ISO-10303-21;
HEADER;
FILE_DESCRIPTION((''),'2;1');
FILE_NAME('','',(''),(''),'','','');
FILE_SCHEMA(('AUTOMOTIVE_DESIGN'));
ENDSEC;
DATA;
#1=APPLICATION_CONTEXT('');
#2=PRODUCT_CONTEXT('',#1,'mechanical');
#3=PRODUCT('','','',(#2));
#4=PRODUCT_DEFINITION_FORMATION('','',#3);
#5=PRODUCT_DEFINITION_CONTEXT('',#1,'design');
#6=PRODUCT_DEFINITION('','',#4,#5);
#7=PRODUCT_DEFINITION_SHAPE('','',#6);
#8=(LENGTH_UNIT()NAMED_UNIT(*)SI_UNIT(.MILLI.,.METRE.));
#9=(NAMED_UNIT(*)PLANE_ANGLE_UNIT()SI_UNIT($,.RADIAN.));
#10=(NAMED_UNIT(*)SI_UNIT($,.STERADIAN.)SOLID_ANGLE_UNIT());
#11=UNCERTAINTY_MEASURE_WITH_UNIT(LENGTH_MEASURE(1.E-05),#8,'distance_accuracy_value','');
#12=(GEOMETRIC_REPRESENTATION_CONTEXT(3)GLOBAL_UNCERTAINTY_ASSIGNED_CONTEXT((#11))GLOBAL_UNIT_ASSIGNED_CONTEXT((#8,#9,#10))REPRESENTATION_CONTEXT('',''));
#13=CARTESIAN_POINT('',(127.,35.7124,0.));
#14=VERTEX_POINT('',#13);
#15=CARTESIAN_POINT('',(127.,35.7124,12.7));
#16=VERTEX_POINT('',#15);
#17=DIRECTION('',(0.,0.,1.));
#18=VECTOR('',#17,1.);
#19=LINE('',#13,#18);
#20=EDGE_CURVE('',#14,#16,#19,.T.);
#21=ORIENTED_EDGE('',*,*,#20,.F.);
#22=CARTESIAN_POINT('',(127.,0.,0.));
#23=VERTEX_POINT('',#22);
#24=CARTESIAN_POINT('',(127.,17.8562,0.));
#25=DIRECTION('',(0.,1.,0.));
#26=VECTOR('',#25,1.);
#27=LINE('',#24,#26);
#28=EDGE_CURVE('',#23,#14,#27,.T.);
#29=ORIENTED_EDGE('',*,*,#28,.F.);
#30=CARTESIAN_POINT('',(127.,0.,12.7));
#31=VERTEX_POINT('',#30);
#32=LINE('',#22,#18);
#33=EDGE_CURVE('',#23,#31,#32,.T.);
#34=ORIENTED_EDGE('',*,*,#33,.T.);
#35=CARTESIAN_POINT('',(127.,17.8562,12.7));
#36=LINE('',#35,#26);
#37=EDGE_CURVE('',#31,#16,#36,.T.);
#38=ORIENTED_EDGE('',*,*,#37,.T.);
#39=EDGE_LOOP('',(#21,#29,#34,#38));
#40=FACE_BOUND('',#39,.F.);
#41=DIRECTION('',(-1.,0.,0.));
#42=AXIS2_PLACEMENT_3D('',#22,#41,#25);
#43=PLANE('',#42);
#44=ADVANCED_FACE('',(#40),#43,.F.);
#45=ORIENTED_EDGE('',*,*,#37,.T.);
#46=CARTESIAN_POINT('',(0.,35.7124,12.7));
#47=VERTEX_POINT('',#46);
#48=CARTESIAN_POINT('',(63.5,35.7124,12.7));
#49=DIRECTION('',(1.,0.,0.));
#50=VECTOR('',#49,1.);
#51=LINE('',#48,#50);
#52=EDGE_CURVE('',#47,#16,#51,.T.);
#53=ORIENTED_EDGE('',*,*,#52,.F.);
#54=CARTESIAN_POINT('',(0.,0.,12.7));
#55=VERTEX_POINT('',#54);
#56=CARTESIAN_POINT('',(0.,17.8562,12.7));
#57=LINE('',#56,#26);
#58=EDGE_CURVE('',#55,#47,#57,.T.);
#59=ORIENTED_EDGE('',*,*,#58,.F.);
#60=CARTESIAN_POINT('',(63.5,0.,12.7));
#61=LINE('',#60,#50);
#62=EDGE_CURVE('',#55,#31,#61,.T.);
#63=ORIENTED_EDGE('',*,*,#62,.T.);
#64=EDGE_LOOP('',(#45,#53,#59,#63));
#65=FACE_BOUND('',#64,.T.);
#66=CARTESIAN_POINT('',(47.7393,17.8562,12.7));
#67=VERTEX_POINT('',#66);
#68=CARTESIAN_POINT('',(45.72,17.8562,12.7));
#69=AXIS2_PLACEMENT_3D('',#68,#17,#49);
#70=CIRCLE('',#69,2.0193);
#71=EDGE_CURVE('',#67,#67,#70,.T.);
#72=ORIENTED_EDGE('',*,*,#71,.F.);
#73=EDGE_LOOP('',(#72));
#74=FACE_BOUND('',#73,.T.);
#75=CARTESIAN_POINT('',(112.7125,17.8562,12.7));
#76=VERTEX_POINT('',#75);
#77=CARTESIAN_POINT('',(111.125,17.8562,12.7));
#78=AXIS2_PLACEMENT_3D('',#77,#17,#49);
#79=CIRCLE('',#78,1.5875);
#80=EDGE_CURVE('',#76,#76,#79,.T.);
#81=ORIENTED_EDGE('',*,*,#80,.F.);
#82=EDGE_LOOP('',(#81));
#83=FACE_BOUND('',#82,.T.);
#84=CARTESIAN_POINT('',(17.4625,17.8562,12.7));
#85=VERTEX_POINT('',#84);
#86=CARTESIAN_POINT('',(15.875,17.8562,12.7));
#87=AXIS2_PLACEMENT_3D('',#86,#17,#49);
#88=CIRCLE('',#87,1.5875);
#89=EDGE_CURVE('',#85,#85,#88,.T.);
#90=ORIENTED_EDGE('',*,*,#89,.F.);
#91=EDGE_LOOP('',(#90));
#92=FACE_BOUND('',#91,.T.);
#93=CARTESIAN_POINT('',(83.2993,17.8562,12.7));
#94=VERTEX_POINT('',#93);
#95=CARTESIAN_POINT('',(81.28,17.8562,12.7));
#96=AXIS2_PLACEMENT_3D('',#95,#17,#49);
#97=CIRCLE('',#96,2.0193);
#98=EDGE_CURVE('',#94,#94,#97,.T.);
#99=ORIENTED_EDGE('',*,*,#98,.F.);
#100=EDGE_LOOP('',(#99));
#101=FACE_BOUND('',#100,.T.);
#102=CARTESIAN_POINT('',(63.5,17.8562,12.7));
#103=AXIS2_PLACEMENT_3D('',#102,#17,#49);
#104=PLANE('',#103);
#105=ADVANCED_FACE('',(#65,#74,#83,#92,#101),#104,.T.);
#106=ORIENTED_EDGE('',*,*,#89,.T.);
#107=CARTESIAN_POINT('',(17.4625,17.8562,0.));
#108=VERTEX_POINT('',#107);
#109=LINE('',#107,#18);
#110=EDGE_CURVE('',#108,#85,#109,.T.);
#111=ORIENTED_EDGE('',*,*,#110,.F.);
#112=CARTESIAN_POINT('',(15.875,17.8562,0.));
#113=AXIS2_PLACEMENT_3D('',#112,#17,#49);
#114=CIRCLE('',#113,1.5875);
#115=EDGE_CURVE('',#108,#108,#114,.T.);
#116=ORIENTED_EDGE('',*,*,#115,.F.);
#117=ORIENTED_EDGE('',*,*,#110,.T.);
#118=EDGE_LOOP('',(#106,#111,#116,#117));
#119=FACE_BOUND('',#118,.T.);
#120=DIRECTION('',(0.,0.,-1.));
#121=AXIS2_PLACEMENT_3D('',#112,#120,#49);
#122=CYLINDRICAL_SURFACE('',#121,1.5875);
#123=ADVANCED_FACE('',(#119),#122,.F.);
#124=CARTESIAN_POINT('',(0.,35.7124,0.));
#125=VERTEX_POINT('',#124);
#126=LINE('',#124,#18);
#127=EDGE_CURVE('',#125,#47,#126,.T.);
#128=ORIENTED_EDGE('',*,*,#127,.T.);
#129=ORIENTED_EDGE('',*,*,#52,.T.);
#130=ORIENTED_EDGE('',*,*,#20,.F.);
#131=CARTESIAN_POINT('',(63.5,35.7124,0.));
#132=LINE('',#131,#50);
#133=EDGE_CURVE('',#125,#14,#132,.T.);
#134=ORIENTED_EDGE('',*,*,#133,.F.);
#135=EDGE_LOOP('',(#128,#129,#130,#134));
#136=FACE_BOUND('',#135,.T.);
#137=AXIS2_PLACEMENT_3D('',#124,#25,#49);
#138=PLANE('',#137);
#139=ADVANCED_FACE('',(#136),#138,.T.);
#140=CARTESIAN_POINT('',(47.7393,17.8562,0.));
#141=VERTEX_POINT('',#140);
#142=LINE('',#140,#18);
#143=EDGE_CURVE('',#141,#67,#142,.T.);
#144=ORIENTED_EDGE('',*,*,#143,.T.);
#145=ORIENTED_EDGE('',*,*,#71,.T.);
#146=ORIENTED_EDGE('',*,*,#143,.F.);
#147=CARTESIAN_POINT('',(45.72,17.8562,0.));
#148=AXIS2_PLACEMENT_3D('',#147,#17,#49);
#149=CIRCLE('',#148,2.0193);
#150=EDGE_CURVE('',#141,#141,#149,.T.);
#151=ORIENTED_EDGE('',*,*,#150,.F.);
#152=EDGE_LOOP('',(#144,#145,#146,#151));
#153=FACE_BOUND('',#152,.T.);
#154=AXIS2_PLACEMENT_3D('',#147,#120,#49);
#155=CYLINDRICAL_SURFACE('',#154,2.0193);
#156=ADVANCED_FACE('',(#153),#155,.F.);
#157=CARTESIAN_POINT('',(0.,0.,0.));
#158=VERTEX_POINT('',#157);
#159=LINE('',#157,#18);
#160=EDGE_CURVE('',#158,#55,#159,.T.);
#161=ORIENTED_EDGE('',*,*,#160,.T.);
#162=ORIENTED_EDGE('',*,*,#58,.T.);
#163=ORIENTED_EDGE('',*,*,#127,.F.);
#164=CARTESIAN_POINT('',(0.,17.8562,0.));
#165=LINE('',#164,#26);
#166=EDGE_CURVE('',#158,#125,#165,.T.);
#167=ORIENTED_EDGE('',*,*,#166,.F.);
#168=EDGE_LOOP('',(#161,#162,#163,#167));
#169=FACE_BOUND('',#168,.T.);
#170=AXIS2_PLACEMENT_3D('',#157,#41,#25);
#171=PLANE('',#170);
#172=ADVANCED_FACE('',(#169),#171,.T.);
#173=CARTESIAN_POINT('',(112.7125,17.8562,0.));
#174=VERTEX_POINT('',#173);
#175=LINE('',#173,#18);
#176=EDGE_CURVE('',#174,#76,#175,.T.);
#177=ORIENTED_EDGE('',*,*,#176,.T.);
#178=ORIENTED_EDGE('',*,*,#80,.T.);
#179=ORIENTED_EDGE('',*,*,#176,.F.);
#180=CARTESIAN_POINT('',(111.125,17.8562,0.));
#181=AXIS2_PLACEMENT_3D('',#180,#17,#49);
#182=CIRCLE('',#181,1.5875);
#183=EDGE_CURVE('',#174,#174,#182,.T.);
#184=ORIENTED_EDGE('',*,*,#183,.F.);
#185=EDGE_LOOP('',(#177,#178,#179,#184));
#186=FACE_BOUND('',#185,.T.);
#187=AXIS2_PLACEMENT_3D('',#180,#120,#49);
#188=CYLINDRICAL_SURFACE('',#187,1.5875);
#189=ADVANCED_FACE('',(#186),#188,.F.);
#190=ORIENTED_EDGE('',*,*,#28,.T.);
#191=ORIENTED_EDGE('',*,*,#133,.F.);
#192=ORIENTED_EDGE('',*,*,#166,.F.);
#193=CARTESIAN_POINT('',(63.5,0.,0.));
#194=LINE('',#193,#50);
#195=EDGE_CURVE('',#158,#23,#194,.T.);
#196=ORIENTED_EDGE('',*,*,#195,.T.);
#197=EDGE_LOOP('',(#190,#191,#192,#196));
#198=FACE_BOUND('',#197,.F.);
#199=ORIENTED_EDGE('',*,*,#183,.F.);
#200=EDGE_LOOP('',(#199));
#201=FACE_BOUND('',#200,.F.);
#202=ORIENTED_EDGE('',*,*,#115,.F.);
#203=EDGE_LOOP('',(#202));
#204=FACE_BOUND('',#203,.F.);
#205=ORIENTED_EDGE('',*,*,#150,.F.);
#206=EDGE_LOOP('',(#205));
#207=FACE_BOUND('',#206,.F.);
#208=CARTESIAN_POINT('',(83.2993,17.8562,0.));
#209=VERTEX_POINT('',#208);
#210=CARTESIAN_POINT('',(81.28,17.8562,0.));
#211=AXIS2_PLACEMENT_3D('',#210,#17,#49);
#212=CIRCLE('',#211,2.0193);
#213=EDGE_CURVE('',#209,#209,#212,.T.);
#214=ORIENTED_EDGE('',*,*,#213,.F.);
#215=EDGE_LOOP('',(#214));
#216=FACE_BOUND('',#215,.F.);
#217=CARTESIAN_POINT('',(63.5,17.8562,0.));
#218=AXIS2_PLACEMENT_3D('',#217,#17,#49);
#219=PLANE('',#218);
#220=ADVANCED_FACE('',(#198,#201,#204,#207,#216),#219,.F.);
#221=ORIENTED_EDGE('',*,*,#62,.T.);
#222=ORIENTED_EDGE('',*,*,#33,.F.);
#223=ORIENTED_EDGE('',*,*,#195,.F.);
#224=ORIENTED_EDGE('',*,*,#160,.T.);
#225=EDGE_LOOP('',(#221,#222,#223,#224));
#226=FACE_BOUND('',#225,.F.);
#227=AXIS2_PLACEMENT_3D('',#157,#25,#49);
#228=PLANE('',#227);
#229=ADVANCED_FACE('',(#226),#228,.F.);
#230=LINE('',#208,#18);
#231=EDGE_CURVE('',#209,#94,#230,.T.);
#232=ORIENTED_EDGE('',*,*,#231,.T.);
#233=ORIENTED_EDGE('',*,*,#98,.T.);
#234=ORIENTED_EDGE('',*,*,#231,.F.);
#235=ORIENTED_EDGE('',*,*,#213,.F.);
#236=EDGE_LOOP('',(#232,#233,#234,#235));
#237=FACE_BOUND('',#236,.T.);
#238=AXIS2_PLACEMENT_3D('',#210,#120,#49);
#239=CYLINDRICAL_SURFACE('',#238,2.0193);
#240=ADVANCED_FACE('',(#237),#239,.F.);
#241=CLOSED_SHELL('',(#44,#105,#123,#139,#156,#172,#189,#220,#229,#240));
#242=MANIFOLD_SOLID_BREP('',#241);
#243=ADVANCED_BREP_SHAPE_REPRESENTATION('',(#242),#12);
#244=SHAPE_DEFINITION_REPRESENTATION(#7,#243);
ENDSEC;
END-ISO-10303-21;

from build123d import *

# Parameters (mm, degrees)
F0_W     = 127
F0_H     = 35.7124
F0_R     = 1.5875
F0_R_2   = 4.6228
F0_R_3   = 2.0193
F1_DEPTH = 12.7


with BuildPart() as f1:
    # F0 (on Top) → F1 (new body)
    with BuildSketch(Plane.XY):
        with Locations((63.5, 17.8562)):
            Rectangle(F0_W, F0_H)
        with Locations((15.875, 17.8562)):
            Circle(F0_R, mode=Mode.SUBTRACT)
        with Locations((45.72, 17.8562)):
            Circle(F0_R_2, mode=Mode.SUBTRACT)
        with Locations((81.28, 17.8562)):
            Circle(F0_R_2, mode=Mode.SUBTRACT)
        with Locations((111.125, 17.8562)):
            Circle(F0_R, mode=Mode.SUBTRACT)
        with Locations((45.72, 17.8562)):
            Circle(F0_R_2)
        with Locations((45.72, 17.8562)):
            Circle(F0_R_3, mode=Mode.SUBTRACT)
        with Locations((81.28, 17.8562)):
            Circle(F0_R_2)
        with Locations((81.28, 17.8562)):
            Circle(F0_R_3, mode=Mode.SUBTRACT)
    extrude(amount=F1_DEPTH)


solid = f1.part
